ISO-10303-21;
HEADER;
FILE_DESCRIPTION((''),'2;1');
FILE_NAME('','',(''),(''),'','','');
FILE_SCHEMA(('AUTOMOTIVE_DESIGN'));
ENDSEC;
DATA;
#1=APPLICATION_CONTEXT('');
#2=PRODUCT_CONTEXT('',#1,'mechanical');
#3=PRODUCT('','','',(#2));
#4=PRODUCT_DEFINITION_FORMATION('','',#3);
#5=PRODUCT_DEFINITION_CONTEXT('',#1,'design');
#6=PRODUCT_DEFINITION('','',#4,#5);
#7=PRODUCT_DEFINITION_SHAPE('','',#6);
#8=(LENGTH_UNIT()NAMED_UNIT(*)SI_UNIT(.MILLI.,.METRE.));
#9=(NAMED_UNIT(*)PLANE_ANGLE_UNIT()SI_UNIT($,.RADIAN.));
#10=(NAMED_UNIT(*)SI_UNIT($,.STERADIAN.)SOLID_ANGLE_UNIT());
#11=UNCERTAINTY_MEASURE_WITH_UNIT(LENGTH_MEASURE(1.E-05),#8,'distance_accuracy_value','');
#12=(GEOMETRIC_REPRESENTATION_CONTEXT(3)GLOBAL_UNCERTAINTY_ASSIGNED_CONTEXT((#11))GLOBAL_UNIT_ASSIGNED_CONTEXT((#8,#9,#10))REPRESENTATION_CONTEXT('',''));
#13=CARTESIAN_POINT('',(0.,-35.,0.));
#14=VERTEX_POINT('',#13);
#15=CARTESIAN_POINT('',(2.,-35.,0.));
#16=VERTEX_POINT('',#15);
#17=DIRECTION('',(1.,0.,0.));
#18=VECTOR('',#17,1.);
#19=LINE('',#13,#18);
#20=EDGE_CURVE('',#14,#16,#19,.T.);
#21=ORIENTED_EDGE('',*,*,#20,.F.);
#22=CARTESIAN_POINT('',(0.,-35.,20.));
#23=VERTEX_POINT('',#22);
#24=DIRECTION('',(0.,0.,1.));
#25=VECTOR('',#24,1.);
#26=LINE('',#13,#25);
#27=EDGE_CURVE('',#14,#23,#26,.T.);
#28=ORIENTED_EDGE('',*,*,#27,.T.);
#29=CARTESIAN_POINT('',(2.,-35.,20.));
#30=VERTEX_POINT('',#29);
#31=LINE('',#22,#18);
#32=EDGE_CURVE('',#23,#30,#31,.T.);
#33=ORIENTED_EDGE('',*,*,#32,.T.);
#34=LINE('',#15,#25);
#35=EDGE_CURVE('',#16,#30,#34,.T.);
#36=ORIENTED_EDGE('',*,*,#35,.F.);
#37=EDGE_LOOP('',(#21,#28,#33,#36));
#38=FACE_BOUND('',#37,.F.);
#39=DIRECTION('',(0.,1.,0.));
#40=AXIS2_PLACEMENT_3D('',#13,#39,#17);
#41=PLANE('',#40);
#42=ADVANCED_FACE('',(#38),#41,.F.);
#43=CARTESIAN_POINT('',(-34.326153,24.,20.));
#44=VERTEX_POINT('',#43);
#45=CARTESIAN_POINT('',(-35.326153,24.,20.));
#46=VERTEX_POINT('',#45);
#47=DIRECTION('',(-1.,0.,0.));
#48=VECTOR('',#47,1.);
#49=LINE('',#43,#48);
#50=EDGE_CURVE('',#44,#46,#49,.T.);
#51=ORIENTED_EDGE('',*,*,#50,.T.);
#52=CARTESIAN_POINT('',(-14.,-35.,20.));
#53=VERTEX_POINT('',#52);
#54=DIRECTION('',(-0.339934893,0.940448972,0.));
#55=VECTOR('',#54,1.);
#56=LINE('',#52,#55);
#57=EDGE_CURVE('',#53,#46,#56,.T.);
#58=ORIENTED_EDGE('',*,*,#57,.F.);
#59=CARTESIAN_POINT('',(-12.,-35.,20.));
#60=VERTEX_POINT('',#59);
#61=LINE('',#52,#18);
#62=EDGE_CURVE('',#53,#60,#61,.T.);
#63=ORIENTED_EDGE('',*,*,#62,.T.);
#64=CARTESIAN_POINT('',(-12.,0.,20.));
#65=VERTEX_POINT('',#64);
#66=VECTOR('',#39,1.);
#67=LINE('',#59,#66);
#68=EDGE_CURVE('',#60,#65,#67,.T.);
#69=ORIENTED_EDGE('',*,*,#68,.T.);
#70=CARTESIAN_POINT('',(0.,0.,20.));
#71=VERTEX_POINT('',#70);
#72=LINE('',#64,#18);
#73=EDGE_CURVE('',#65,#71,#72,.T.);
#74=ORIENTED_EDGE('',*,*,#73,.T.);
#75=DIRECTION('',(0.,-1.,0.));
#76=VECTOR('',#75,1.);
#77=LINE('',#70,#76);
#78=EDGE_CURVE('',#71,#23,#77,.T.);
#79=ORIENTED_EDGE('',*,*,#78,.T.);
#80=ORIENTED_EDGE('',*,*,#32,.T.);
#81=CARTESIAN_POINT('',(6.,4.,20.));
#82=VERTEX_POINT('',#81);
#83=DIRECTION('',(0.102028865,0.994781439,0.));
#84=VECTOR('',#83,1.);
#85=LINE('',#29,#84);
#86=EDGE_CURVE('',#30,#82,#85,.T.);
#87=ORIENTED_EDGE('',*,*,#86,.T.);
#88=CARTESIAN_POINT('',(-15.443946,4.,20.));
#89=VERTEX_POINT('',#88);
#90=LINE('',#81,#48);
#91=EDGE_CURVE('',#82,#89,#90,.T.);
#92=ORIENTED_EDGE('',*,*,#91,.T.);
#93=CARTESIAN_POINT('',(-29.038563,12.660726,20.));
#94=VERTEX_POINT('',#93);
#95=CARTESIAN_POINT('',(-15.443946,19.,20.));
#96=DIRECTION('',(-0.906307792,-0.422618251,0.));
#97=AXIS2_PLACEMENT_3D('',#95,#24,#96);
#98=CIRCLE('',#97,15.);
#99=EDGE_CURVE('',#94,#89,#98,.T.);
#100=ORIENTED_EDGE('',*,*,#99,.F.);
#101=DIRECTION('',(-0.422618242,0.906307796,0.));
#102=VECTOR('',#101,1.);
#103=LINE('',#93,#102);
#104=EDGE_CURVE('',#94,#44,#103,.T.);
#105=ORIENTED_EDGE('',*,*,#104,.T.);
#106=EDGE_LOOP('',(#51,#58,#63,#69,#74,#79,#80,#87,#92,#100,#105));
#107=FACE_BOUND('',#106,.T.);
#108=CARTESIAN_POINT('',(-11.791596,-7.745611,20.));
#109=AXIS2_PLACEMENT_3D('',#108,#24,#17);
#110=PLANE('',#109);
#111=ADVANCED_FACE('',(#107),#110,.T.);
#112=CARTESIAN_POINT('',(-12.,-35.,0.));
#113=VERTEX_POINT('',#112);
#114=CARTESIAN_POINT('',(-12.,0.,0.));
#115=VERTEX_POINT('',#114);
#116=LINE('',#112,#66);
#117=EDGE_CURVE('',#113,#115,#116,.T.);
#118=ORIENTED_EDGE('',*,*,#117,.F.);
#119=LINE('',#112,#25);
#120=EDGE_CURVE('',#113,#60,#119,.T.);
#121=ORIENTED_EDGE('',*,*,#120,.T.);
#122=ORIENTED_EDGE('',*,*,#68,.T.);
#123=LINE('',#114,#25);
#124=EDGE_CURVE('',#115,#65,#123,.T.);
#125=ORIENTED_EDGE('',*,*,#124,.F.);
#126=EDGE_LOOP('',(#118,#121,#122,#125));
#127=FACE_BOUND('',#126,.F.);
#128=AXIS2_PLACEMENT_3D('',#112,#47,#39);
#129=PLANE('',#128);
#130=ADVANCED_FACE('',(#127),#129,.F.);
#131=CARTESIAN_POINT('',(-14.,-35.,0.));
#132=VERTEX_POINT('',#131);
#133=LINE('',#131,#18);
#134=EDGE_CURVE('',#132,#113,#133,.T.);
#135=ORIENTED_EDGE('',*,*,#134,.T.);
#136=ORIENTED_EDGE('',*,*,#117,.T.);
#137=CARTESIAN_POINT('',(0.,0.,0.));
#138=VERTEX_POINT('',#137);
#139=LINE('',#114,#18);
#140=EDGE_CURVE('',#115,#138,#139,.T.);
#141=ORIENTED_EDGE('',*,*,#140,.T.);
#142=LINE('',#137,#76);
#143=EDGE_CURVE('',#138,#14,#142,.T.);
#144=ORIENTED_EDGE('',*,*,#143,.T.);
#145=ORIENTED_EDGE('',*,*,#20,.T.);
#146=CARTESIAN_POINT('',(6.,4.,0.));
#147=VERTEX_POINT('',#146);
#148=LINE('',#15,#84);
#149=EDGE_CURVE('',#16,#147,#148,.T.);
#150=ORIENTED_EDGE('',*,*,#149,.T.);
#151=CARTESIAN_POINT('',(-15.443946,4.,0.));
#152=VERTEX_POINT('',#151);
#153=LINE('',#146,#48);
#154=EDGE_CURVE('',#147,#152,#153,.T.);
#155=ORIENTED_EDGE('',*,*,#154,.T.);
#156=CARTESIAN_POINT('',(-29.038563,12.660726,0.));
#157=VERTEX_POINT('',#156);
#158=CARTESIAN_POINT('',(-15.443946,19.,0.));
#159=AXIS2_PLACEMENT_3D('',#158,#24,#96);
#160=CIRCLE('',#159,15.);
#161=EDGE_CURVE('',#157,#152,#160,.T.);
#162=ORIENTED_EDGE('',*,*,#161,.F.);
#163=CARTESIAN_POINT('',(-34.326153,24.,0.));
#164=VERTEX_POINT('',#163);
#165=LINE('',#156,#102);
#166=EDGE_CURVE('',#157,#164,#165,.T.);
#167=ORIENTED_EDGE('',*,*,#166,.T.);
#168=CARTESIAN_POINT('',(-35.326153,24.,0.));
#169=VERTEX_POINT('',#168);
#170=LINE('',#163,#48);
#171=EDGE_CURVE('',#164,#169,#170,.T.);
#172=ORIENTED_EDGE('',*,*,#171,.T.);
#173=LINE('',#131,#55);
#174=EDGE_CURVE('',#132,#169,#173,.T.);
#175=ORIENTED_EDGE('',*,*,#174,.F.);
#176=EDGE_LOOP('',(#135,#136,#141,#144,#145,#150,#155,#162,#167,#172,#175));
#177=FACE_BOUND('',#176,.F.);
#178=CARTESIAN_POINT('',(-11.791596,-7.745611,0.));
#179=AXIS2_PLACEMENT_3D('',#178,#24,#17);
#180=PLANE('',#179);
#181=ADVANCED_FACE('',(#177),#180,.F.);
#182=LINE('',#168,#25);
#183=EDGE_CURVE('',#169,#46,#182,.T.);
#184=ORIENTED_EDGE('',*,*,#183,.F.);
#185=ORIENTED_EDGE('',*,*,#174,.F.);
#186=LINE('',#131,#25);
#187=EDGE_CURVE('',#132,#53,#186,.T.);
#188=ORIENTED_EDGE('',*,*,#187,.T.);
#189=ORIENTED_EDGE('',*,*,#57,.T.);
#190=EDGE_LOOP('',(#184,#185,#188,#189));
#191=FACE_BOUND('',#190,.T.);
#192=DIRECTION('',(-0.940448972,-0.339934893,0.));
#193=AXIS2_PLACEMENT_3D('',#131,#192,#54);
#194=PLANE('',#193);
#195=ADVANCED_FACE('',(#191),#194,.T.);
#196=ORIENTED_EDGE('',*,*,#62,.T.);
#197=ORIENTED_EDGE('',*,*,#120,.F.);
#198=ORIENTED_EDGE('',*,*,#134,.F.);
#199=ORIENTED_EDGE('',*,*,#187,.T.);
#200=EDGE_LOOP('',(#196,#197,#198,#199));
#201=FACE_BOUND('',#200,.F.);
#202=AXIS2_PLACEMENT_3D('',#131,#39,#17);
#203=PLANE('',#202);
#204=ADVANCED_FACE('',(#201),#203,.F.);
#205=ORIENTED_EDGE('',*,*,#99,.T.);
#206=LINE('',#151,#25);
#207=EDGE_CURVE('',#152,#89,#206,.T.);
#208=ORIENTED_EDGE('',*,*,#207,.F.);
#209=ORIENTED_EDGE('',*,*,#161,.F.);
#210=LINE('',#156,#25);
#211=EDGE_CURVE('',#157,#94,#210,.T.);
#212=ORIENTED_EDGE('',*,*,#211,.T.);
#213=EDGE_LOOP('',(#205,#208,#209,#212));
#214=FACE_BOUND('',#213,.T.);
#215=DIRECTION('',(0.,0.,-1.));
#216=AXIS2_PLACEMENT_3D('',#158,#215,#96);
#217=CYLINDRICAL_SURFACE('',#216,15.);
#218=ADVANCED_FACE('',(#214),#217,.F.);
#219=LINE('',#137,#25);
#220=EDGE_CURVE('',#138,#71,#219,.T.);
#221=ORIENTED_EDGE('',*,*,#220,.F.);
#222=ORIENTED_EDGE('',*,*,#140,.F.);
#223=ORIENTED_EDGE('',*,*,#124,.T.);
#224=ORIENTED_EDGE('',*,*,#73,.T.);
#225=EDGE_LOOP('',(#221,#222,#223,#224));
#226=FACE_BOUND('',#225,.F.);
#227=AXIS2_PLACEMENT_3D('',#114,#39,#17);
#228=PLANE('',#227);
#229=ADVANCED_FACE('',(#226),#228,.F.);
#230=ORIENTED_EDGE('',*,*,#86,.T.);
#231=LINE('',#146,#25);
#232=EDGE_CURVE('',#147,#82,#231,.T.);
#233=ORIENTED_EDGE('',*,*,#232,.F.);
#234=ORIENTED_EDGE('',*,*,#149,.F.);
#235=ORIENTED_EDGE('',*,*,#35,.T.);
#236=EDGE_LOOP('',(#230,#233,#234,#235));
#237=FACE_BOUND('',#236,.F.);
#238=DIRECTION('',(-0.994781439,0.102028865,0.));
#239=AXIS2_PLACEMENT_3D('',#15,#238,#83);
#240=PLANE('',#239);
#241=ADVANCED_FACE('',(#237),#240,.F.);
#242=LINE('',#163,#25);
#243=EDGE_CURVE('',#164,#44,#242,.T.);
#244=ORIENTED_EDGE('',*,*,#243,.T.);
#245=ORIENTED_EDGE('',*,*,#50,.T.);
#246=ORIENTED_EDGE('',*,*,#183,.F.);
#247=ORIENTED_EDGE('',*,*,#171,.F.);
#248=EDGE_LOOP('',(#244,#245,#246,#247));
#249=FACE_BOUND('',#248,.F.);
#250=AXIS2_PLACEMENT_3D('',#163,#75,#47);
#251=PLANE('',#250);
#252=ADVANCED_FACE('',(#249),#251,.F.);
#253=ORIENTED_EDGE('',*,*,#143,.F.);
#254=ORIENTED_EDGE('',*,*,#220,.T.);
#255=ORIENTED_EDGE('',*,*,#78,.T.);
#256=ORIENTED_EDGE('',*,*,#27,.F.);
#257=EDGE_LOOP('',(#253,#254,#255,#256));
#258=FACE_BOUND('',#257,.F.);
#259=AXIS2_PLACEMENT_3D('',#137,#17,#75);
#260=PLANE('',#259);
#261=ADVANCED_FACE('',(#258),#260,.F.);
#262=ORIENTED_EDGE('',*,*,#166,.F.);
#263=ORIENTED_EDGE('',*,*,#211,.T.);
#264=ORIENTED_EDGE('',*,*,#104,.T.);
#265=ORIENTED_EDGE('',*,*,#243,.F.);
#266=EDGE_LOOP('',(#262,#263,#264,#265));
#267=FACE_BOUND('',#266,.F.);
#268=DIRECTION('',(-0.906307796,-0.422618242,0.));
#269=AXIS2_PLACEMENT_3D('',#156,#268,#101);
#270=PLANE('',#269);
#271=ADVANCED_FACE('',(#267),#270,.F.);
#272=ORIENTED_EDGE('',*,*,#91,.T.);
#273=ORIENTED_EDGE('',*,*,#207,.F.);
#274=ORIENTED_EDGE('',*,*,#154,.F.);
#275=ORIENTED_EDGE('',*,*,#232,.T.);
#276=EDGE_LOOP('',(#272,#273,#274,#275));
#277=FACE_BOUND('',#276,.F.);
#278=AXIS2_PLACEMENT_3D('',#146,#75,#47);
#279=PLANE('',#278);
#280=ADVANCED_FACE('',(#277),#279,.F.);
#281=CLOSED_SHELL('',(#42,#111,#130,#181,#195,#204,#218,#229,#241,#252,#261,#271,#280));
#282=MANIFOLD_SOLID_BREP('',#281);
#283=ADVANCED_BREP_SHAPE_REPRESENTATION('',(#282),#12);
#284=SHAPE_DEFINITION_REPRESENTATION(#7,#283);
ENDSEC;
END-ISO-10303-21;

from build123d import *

# Parameters (mm, degrees)
PAD_DEPTH = 20


with BuildPart() as part:
    # Sketch → Pad (new body)
    with BuildSketch(Plane.XY):
        with BuildLine():
            Line((0, 0), (0, -35))
            Line((0, -35), (2, -35))
            Line((2, -35), (6, 4))
            Line((6, 4), (-15.443946, 4))
            ThreePointArc((-29.038563, 12.660726), (-23.50344, 6.349128), (-15.443946, 4))
            Line((-29.038563, 12.660726), (-34.326153, 24))
            Line((-34.326153, 24), (-35.326153, 24))
            Line((-14, -35), (-35.326153, 24))
            Line((-14, -35), (-12, -35))
            Line((-12, -35), (-12, 0))
            Line((-12, 0), (0, 0))
        make_face()
    extrude(amount=PAD_DEPTH)


solid = part.part
